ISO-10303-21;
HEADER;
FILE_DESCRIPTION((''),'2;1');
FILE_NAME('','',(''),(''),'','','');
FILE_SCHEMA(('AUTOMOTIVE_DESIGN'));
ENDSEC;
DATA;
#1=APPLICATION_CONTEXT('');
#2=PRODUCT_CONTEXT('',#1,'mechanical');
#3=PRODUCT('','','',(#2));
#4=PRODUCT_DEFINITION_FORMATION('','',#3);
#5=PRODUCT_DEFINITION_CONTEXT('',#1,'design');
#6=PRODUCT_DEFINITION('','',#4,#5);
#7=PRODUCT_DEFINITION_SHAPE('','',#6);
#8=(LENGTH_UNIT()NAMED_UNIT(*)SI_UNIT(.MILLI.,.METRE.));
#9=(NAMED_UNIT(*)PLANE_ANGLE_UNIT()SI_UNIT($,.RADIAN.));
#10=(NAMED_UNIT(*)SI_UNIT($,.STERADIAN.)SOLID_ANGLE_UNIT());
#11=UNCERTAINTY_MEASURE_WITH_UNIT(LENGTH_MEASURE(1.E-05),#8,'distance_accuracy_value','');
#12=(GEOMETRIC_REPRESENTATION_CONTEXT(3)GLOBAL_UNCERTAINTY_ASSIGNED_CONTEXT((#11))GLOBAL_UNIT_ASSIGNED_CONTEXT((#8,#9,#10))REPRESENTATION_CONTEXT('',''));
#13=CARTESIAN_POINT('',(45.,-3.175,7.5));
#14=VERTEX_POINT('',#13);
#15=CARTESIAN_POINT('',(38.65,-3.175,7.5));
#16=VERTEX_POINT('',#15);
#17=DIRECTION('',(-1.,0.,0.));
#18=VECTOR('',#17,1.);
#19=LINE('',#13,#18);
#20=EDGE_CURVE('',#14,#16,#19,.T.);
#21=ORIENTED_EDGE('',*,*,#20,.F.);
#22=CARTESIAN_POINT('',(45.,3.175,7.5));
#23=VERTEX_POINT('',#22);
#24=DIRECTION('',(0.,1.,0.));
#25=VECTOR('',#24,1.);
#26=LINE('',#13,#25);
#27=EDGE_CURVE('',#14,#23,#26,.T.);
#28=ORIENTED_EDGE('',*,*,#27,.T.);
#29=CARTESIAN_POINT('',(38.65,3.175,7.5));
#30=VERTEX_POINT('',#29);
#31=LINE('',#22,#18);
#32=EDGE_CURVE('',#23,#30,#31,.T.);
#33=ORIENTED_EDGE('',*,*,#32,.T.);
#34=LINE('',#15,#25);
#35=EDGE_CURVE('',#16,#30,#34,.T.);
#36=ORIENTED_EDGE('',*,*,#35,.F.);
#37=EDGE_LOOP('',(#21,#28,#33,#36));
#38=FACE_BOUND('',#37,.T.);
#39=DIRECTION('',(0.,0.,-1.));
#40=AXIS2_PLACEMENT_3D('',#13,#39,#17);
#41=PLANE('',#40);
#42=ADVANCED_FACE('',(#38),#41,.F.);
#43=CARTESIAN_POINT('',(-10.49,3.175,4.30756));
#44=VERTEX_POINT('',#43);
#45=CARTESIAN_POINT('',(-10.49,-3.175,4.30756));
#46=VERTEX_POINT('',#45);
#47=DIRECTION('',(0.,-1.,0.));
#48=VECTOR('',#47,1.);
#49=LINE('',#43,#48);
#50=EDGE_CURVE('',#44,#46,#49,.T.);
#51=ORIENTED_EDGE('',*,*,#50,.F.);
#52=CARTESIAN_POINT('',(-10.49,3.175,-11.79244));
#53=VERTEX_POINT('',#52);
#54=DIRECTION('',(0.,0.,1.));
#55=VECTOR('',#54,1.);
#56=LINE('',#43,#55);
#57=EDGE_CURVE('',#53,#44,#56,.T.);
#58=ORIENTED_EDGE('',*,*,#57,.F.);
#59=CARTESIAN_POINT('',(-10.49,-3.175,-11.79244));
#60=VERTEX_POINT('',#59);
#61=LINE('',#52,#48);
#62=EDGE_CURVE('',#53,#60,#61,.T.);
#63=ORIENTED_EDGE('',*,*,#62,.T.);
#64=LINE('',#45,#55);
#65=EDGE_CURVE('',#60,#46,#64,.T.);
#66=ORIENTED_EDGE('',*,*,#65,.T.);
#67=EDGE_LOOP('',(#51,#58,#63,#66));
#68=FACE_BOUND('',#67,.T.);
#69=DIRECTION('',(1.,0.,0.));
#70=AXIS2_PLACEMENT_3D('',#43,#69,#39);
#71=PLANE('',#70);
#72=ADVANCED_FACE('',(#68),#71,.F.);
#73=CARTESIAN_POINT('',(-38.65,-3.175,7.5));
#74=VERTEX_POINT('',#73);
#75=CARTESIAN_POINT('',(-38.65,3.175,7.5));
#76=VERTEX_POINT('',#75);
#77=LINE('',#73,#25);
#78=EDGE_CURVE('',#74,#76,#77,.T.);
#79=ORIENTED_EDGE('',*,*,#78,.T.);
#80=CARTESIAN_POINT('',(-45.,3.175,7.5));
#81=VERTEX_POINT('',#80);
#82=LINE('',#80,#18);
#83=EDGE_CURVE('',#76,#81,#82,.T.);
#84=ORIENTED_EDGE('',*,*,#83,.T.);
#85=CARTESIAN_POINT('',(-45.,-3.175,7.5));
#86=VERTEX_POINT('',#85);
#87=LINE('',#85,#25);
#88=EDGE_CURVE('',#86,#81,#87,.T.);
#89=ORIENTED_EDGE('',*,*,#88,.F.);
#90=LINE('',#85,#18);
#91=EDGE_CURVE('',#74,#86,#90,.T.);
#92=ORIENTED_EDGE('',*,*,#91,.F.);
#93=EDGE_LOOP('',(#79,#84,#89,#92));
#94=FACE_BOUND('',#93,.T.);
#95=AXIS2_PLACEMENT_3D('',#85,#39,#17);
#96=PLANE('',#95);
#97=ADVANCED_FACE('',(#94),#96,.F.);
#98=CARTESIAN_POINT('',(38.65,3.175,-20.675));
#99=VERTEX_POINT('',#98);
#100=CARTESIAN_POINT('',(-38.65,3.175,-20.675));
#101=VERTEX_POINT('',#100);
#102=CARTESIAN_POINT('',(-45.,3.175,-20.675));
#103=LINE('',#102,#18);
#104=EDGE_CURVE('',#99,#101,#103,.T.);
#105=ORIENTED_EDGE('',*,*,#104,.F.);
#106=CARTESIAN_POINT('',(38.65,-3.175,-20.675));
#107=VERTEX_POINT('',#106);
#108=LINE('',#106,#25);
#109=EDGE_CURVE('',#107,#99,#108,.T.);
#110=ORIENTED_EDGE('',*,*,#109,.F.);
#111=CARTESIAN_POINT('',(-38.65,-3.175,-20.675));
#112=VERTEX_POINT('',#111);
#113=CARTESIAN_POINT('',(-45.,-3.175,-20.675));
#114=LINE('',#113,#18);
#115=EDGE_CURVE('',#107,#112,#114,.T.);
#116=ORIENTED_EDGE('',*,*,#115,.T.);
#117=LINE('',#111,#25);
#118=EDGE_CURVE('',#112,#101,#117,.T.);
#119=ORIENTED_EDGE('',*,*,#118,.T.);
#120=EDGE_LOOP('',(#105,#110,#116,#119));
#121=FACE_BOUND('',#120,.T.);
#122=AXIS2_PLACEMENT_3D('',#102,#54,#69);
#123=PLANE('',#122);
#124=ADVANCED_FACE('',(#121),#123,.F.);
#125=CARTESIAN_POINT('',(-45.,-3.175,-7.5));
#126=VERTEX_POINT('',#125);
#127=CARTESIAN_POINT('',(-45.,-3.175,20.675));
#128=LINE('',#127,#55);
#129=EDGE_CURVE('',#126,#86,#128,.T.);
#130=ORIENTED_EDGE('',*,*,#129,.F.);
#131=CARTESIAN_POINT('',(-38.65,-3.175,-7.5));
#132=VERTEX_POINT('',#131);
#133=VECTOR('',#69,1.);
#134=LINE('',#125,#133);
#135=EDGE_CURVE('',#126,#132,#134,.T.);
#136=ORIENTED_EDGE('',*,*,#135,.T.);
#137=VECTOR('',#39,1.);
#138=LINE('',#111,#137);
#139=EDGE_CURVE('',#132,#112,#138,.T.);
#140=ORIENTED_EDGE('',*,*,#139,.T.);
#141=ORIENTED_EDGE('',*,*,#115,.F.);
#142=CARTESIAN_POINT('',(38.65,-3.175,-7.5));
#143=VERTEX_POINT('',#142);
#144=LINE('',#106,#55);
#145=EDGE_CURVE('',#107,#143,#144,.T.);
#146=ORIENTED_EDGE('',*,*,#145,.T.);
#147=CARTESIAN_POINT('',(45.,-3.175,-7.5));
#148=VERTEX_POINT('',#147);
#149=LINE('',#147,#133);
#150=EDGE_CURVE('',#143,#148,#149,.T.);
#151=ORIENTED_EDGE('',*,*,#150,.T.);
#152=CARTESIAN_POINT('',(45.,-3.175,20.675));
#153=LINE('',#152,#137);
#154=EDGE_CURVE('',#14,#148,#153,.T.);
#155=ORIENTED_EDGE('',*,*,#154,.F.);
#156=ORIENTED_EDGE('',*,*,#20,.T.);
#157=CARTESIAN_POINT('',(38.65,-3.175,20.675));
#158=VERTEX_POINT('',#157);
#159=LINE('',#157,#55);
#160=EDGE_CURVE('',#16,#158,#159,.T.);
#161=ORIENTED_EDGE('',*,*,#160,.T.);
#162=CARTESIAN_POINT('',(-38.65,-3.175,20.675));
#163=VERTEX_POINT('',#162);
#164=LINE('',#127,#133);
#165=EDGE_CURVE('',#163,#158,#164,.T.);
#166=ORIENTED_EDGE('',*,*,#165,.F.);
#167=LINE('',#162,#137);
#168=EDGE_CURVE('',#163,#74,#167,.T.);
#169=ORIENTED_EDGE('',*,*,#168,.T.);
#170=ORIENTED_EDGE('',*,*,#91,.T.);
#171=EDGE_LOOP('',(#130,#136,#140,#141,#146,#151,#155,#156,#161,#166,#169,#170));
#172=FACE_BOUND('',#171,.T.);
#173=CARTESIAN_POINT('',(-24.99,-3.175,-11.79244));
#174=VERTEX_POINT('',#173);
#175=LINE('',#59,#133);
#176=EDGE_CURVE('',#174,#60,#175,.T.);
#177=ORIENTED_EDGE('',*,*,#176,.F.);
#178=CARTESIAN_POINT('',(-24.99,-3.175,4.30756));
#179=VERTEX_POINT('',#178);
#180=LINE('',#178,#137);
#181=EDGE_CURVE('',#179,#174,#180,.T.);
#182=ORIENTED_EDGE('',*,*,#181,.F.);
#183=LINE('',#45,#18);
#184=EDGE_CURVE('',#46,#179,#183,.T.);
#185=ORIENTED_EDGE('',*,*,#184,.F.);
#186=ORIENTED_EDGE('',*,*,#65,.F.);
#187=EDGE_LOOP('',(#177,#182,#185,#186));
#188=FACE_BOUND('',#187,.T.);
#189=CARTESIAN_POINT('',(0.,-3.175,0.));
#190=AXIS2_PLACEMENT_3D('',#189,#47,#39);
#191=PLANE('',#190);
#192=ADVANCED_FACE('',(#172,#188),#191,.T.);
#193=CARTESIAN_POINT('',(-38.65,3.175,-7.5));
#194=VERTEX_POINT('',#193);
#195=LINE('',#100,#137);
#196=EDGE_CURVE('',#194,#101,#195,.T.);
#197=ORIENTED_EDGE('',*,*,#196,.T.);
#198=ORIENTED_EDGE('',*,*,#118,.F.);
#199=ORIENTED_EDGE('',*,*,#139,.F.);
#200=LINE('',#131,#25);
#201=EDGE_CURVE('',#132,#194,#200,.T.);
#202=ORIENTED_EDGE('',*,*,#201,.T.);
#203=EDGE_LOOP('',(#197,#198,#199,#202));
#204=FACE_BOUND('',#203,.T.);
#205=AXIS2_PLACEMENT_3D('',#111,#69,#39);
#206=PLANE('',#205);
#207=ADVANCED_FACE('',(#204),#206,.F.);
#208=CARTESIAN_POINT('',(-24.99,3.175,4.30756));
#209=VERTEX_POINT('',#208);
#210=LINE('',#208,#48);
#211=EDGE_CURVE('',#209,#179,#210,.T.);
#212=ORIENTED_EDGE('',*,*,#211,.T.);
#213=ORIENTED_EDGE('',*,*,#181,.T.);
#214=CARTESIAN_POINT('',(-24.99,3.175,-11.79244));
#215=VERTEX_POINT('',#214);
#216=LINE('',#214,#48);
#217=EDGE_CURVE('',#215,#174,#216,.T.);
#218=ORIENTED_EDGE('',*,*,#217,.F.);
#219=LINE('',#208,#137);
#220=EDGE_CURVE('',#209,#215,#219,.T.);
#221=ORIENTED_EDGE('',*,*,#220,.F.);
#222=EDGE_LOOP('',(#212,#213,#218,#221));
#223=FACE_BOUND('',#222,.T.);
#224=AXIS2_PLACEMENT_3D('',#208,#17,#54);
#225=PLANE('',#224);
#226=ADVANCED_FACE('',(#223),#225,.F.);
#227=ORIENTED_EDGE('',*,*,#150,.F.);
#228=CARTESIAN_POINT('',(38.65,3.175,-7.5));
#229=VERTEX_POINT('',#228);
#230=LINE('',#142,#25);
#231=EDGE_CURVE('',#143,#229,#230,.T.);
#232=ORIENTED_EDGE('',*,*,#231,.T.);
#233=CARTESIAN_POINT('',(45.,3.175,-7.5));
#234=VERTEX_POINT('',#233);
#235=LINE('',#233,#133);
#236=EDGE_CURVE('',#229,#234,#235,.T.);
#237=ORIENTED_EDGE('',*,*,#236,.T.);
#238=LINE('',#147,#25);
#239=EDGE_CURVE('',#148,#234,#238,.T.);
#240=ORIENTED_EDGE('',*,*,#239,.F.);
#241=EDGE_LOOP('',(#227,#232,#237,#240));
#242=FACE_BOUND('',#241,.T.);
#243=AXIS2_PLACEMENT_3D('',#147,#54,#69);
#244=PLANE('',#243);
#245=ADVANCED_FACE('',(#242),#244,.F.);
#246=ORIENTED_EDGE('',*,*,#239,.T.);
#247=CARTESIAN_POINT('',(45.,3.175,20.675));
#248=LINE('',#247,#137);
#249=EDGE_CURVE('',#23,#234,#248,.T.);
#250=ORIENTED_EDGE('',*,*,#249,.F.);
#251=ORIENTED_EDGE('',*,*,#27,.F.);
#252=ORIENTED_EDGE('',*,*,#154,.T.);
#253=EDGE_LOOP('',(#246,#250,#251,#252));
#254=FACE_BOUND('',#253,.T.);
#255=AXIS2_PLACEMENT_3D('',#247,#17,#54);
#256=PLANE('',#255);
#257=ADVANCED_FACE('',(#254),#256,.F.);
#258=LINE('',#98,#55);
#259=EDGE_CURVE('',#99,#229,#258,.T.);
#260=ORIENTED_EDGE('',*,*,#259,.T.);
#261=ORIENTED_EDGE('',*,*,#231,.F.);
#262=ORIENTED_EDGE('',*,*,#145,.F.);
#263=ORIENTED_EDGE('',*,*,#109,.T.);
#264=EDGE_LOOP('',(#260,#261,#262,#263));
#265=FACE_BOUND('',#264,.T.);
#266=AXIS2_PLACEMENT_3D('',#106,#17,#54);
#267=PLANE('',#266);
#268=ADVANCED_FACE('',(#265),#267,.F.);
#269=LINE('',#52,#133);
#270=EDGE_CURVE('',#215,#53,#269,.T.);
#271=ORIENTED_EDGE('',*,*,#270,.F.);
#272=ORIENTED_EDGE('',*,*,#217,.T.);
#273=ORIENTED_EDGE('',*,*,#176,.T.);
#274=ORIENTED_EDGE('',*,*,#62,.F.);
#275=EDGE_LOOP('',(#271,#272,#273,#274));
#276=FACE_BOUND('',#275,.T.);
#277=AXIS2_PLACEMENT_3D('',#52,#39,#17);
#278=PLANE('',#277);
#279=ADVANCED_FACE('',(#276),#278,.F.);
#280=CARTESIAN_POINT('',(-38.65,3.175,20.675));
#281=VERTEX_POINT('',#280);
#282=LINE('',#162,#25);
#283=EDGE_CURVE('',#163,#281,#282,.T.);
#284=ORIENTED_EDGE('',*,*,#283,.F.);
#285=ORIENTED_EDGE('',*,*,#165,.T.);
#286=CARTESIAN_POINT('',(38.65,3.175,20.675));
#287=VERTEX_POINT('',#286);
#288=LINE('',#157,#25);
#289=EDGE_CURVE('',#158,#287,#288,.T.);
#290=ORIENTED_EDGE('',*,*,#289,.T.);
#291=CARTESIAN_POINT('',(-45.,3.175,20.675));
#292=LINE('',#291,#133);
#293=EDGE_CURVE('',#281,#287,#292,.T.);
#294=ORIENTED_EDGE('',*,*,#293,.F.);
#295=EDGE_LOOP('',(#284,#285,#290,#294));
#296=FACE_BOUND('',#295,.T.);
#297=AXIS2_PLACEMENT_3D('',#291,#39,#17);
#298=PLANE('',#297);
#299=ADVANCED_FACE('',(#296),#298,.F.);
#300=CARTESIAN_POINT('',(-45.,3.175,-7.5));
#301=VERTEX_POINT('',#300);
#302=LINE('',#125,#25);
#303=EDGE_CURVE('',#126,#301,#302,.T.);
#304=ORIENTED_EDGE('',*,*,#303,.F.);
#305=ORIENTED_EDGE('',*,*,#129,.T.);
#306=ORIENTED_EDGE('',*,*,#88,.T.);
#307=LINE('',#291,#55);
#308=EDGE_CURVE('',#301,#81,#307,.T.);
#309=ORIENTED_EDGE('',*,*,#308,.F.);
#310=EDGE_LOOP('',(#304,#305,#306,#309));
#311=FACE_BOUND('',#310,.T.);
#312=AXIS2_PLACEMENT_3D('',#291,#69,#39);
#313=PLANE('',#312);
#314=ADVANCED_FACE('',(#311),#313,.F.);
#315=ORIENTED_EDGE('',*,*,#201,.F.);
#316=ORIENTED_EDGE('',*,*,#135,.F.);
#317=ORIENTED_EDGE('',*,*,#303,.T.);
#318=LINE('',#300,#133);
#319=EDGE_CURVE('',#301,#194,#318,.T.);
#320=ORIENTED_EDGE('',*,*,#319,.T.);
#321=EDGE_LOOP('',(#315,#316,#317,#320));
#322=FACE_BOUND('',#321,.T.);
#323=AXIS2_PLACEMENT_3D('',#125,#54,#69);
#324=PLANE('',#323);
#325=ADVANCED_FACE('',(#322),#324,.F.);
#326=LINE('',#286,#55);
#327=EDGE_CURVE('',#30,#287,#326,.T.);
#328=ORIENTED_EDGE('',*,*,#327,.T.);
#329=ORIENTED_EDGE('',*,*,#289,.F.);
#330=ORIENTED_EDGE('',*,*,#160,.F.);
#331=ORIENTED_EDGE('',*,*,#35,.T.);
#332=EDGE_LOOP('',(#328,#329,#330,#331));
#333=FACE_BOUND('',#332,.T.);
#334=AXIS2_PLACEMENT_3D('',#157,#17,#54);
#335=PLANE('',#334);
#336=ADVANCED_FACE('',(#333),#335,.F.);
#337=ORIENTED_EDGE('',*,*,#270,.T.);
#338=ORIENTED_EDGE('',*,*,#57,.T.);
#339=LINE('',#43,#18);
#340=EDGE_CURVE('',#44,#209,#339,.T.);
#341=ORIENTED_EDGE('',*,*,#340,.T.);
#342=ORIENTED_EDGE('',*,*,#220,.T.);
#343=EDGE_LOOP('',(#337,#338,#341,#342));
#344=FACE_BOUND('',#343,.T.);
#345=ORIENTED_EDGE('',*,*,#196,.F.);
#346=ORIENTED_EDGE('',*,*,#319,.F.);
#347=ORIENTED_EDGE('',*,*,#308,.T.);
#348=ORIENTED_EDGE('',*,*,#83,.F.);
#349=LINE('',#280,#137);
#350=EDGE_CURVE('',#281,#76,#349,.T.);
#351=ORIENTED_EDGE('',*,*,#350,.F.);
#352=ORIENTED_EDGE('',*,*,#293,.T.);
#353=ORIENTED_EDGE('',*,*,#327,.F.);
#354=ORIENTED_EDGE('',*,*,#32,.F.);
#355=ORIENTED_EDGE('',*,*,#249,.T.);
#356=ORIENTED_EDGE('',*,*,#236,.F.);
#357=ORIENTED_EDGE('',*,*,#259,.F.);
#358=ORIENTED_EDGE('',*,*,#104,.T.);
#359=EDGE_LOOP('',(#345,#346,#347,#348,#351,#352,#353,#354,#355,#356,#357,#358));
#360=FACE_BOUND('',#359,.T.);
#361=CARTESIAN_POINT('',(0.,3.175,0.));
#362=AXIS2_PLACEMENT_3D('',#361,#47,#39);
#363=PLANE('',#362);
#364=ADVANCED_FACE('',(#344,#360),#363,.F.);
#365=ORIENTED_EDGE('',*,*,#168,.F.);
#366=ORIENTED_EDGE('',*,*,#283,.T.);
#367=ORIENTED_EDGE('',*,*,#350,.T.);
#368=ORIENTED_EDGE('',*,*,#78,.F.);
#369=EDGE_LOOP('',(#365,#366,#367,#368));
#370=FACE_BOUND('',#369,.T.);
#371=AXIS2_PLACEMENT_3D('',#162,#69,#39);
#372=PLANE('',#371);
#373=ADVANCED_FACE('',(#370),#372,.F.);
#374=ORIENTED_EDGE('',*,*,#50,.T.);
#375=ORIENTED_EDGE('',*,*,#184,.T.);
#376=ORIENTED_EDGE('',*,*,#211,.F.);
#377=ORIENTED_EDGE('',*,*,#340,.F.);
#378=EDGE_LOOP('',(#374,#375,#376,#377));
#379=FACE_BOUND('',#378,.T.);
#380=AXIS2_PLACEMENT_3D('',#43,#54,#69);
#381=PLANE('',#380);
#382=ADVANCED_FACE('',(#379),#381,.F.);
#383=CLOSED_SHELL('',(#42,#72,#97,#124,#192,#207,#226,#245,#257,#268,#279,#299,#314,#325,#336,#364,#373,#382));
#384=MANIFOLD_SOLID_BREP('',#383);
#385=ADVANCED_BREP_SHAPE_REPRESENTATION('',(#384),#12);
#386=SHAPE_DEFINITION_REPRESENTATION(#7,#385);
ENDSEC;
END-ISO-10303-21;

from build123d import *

# Parameters (mm, degrees)
SKETCH1_W           = 90
SKETCH1_H           = 41.35
BOSS_EXTRUDE1_DEPTH = 3.175
SKETCH3_W           = 6.35
SKETCH3_H           = 13.175
LEFTRIGHT_DEPTH     = 50.927729019
SKETCH4_W           = 14.5
SKETCH4_H           = 16.1
RIGHT_DEPTH         = 50.927729019


with BuildPart() as part:
    # Sketch1 → Boss-Extrude1 (new, symmetric)
    with BuildSketch(Plane(origin=(0, 0, 0), x_dir=(1, 0, 0), z_dir=(0, 1, 0))):
        Rectangle(SKETCH1_W, SKETCH1_H)
    extrude(amount=BOSS_EXTRUDE1_DEPTH, both=True)

    # Sketch3 → LeftRight (cut, through all)
    with BuildSketch(Plane(origin=(0, 3.175, 0), x_dir=(1, 0, 0), z_dir=(0, 1, 0))):
        with Locations((-41.825, -14.0875)):
            Rectangle(SKETCH3_W, SKETCH3_H)
        with Locations((-41.825, 14.0875)):
            Rectangle(SKETCH3_W, SKETCH3_H)
        with Locations((41.825, 14.0875)):
            Rectangle(SKETCH3_W, SKETCH3_H)
        with Locations((41.825, -14.0875)):
            Rectangle(SKETCH3_W, SKETCH3_H)
    extrude(amount=-LEFTRIGHT_DEPTH, mode=Mode.SUBTRACT)

    # Sketch4 → Right (cut, through all)
    with BuildSketch(Plane.XZ.offset(3.175)):
        with Locations((-17.74, -3.742440275)):
            Rectangle(SKETCH4_W, SKETCH4_H)
    extrude(amount=-RIGHT_DEPTH, mode=Mode.SUBTRACT)


solid = part.part
